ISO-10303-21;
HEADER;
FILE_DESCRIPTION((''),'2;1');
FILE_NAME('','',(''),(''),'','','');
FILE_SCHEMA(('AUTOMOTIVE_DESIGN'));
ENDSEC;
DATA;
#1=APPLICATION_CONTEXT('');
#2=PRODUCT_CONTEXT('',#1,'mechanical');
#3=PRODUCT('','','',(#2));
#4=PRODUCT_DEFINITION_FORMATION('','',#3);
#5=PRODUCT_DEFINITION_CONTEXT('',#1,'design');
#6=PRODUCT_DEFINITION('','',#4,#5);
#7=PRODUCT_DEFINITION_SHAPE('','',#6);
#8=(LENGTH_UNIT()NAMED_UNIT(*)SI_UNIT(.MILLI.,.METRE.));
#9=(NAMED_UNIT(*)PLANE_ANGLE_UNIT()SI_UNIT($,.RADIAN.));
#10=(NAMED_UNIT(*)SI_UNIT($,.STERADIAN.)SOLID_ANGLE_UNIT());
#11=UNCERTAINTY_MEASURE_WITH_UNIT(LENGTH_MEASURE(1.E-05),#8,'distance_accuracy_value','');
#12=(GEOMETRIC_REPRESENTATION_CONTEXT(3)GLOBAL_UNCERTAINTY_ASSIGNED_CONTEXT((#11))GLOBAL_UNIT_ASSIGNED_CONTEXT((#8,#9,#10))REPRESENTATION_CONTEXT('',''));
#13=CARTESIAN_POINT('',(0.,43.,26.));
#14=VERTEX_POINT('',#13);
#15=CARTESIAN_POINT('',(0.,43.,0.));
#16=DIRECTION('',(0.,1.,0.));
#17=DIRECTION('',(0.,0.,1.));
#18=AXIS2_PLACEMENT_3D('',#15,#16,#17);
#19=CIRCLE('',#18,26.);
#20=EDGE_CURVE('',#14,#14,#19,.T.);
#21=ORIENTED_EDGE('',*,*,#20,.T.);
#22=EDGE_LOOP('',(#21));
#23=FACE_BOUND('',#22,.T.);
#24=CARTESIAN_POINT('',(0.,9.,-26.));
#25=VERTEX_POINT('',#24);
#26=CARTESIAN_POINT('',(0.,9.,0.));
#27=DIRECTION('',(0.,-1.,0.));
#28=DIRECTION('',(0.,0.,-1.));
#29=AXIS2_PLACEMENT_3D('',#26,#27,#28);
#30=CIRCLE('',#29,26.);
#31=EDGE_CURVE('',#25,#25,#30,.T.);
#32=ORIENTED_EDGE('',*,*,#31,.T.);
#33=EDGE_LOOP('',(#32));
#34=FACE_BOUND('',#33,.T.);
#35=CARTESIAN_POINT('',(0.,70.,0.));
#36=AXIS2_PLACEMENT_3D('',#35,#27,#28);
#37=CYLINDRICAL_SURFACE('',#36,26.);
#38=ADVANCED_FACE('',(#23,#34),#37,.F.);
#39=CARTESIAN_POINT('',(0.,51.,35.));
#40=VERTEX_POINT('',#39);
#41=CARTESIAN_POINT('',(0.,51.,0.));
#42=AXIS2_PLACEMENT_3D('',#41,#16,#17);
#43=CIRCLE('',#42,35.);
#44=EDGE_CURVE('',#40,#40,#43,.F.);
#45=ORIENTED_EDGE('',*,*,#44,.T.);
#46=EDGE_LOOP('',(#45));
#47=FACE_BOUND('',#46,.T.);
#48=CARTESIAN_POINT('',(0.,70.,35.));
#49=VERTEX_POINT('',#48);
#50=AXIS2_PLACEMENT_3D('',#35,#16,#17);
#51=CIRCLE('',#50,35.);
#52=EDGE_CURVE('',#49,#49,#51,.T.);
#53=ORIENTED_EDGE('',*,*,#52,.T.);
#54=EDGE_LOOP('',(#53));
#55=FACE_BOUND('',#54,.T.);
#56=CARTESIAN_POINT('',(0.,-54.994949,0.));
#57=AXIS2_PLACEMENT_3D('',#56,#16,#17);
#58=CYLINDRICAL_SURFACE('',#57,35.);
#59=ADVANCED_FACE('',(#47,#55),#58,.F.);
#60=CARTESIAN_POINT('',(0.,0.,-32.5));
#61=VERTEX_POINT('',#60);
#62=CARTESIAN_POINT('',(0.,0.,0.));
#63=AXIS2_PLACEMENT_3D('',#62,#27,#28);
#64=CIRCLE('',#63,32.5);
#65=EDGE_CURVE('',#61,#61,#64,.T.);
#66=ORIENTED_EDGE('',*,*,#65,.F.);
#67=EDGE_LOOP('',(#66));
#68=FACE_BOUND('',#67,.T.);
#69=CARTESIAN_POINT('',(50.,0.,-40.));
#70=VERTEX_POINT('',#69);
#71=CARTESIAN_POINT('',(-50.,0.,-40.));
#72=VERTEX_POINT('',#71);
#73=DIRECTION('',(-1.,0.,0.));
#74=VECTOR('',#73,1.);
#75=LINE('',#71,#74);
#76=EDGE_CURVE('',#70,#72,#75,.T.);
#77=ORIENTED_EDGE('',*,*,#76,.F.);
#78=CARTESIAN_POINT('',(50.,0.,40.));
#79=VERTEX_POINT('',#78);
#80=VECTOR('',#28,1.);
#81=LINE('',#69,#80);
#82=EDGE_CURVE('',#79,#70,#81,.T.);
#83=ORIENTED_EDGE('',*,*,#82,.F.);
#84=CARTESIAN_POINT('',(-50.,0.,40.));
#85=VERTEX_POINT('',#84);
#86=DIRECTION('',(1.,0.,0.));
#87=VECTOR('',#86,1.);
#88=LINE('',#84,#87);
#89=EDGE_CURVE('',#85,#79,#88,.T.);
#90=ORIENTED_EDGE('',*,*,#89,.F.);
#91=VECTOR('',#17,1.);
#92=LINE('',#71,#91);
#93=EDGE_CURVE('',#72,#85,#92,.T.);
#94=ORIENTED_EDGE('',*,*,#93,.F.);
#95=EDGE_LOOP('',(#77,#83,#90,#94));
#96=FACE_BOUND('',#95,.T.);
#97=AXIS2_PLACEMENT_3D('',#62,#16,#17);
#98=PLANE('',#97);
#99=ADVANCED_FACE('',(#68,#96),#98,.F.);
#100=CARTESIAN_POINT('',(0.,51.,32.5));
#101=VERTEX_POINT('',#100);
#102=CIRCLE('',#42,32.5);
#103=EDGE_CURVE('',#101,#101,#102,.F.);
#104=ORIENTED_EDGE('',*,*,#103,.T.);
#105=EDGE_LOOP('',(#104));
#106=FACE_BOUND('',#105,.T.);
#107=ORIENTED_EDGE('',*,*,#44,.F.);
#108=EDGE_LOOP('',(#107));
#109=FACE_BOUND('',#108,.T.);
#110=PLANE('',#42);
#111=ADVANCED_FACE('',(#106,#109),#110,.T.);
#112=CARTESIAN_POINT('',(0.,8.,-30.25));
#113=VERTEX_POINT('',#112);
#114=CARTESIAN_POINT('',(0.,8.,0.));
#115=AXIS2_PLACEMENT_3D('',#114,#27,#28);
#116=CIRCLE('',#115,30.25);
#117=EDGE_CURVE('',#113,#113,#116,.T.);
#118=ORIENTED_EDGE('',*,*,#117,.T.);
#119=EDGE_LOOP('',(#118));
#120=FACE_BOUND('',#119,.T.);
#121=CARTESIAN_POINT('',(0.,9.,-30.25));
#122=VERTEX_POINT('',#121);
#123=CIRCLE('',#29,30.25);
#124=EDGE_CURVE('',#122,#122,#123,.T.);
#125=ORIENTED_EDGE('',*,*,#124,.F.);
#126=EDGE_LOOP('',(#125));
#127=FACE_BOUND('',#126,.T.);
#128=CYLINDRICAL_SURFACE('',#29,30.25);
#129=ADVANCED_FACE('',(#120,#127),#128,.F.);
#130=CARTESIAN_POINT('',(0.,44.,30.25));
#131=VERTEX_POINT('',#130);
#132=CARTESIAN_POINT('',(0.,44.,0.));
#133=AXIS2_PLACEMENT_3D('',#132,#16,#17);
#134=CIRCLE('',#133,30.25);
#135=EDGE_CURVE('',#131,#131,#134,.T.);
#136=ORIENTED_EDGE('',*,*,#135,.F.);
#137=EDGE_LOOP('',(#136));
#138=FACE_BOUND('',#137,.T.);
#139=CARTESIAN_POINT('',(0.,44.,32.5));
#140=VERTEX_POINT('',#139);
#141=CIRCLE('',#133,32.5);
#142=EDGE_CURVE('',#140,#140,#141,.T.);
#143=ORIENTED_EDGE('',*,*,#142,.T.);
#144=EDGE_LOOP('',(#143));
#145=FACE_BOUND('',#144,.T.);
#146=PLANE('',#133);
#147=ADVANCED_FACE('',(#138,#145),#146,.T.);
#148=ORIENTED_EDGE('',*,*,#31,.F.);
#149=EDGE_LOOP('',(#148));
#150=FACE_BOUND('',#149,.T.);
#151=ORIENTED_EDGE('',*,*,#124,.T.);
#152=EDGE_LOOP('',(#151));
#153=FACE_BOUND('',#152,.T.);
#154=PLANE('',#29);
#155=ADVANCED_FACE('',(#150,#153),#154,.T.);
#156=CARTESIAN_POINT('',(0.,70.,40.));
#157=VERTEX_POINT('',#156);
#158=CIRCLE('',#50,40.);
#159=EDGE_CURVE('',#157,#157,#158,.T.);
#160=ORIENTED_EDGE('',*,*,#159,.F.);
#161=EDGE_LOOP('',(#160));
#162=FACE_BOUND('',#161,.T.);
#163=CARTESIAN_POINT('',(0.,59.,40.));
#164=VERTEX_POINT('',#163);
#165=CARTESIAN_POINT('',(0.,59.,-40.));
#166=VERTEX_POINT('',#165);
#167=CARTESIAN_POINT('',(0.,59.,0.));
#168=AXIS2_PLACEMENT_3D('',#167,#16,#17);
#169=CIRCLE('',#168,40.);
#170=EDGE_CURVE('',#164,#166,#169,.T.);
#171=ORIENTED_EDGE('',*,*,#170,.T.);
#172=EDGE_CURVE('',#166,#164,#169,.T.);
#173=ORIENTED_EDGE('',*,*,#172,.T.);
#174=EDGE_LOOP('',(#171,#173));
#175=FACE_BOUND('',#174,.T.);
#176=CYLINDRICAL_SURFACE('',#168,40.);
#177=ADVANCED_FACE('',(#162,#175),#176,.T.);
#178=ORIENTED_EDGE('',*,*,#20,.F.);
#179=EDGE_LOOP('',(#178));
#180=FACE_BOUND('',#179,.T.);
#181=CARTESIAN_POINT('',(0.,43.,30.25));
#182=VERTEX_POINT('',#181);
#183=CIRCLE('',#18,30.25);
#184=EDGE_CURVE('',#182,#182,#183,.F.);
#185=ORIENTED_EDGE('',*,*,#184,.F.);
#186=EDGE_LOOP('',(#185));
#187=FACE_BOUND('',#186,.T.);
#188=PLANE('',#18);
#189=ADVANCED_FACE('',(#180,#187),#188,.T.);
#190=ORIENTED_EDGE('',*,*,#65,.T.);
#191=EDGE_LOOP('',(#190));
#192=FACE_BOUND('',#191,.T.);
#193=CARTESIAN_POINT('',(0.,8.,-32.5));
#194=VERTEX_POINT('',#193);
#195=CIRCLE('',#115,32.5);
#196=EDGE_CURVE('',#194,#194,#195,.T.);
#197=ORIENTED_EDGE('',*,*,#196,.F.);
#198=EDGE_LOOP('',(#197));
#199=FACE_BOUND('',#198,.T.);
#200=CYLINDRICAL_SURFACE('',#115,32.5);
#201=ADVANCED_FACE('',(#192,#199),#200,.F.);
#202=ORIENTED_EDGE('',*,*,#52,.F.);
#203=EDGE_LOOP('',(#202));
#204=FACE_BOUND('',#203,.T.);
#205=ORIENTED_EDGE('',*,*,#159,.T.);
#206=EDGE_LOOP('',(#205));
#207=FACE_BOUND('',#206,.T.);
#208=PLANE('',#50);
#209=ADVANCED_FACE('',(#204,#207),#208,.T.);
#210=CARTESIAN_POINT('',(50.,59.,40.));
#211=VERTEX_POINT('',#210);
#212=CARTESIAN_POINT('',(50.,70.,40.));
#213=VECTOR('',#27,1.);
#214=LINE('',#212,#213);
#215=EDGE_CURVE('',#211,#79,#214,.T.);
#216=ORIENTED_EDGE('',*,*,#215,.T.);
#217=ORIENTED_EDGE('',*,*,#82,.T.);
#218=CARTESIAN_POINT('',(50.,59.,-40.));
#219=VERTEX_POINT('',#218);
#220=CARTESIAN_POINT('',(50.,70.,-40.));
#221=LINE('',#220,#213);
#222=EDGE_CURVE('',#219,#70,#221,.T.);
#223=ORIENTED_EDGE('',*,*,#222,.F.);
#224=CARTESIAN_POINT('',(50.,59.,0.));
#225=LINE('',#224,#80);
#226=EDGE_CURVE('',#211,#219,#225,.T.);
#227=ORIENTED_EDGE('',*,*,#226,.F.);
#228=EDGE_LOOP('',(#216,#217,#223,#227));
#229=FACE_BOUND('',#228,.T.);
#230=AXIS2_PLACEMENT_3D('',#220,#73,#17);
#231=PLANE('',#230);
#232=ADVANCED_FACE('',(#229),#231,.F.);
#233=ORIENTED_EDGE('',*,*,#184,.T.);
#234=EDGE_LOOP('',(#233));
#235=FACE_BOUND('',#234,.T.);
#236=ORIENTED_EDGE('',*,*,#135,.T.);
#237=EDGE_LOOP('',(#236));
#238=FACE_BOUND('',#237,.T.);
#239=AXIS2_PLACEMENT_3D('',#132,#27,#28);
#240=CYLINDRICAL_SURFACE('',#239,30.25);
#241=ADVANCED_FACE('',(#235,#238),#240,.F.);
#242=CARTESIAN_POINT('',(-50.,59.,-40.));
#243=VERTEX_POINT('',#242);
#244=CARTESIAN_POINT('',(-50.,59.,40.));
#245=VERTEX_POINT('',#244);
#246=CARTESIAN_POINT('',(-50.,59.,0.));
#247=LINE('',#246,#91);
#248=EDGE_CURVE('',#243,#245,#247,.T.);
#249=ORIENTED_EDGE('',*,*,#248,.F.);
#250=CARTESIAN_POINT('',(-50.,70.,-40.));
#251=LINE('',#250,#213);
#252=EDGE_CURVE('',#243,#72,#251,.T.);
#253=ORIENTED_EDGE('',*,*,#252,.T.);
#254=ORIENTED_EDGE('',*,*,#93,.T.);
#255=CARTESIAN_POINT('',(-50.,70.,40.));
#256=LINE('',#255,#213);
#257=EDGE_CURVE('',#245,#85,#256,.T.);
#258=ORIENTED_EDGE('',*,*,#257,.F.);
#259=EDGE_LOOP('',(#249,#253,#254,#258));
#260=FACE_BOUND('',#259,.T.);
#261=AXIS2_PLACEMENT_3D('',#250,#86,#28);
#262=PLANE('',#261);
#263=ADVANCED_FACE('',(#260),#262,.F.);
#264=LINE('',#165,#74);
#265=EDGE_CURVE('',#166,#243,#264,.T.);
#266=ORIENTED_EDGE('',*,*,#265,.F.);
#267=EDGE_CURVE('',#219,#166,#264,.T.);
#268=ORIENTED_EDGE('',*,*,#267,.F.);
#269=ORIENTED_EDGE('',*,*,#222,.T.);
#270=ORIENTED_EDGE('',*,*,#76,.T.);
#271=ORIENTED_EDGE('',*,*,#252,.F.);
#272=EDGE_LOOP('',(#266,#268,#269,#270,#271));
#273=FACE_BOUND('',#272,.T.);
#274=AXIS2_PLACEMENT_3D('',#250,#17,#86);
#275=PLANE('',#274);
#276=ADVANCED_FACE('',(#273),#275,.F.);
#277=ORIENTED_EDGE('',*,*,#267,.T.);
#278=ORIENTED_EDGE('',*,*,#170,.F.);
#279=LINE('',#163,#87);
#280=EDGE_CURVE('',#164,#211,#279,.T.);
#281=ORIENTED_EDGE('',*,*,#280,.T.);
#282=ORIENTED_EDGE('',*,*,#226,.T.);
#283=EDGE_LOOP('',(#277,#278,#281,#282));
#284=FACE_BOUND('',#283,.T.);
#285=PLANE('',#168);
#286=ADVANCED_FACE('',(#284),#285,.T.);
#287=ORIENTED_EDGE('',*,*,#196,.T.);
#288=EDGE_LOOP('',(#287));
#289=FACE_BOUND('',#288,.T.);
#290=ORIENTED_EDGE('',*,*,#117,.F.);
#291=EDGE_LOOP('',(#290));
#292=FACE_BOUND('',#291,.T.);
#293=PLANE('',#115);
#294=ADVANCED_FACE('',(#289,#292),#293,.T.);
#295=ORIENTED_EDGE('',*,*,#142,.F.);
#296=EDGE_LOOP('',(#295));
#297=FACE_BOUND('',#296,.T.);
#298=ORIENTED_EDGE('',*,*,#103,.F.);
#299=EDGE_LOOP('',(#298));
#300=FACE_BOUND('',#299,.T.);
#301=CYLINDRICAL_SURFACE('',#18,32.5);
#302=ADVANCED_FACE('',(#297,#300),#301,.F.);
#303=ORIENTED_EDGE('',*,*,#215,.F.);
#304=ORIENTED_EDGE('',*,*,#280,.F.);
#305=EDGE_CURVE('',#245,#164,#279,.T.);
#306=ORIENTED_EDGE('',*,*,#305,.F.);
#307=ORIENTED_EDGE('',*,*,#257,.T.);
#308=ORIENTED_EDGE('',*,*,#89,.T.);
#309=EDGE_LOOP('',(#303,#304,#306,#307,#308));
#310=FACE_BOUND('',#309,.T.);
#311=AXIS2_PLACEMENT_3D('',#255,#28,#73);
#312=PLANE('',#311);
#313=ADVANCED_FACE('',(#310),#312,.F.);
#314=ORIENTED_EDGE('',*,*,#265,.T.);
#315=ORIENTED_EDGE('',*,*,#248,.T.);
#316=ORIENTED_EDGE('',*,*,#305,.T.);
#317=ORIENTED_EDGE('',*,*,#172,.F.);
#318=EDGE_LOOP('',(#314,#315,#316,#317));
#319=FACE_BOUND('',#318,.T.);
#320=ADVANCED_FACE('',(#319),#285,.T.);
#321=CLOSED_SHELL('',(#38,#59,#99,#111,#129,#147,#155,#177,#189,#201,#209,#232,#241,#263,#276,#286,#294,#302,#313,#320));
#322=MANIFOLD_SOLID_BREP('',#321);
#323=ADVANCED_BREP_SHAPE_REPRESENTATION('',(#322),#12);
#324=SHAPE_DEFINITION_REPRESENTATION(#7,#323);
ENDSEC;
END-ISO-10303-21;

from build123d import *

# Parameters (mm, degrees)
SKETCH1_W           = 100
SKETCH1_H           = 80
SKETCH1_R           = 26
BOSS_EXTRUDE1_DEPTH = 70
SKETCH2_R           = 32.5
CUT_EXTRUDE1_DEPTH  = 27
BOSS_EXTRUDE2_START = 1
SKETCH4_R           = 32.5
SKETCH4_R_2         = 30.25
BOSS_EXTRUDE2_DEPTH = 1
SKETCH5_R           = 35
CUT_EXTRUDE2_DEPTH  = 19
CUT_EXTRUDE3_START  = -8
SKETCH6_R           = 32.5
CUT_EXTRUDE3_DEPTH  = 8
CUT_EXTRUDE4_START  = -1
SKETCH7_R           = 30.25
CUT_EXTRUDE4_DEPTH  = 1
CUT_EXTRUDE5_DEPTH  = 11


with BuildPart() as part:
    # Sketch1 → Boss-Extrude1 (new body)
    with BuildSketch(Plane(origin=(0, 0, 0), x_dir=(1, 0, 0), z_dir=(0, 1, 0))):
        Rectangle(SKETCH1_W, SKETCH1_H)
        with Locations(Location((0, 0, 0), (0, 0, 270))):
            Circle(SKETCH1_R, mode=Mode.SUBTRACT)
    extrude(amount=BOSS_EXTRUDE1_DEPTH)

    # Sketch2 → Cut-Extrude1 (cut)
    with BuildSketch(Plane(origin=(0, 70, 0), x_dir=(1, 0, 0), z_dir=(0, 1, 0))):
        with Locations(Location((0, 0, 0), (0, 0, 270))):
            Circle(SKETCH2_R)
    extrude(amount=-CUT_EXTRUDE1_DEPTH, mode=Mode.SUBTRACT)

    # Sketch4 → Boss-Extrude2 (add)
    with BuildSketch(Plane(origin=(0, 43, 0), x_dir=(1, 0, 0), z_dir=(0, 1, 0)).offset(BOSS_EXTRUDE2_START)):
        with Locations(Location((0, 0, 0), (0, 0, 270))):
            Circle(SKETCH4_R)
        with Locations(Location((0, 0, 0), (0, 0, 270))):
            Circle(SKETCH4_R_2, mode=Mode.SUBTRACT)
    extrude(amount=-BOSS_EXTRUDE2_DEPTH)

    # Sketch5 → Cut-Extrude2 (cut)
    with BuildSketch(Plane(origin=(0, 70, 0), x_dir=(1, 0, 0), z_dir=(0, 1, 0))):
        with Locations(Location((0, 0, 0), (0, 0, 270))):
            Circle(SKETCH5_R)
    extrude(amount=-CUT_EXTRUDE2_DEPTH, mode=Mode.SUBTRACT)

    # Sketch6 → Cut-Extrude3 (cut)
    with BuildSketch(Plane.XZ.offset(CUT_EXTRUDE3_START)):
        with Locations(Location((0, 0, 0), (0, 0, 90))):
            Circle(SKETCH6_R)
    extrude(amount=CUT_EXTRUDE3_DEPTH, mode=Mode.SUBTRACT)

    # Sketch7 → Cut-Extrude4 (cut)
    with BuildSketch(Plane.XZ.offset(-8).offset(CUT_EXTRUDE4_START)):
        with Locations(Location((0, 0, 0), (0, 0, 90))):
            Circle(SKETCH7_R)
    extrude(amount=CUT_EXTRUDE4_DEPTH, mode=Mode.SUBTRACT)

    # Sketch8 → Cut-Extrude5 (cut)
    with BuildSketch(Plane(origin=(0, 70, 0), x_dir=(1, 0, 0), z_dir=(0, 1, 0))):
        with BuildLine():
            Line((50, 40), (0, 40))
            ThreePointArc((0, 40), (28.284271247, 28.284271247), (40, 0))
            ThreePointArc((40, 0), (28.284271247, -28.284271247), (0, -40))
            Line((0, -40), (50, -40))
            Line((50, -40), (50, 40))
        make_face()
        with BuildLine():
            Line((0, 40), (-50, 40))
            Line((-50, 40), (-50, -40))
            Line((-50, -40), (0, -40))
            ThreePointArc((0, -40), (-40, 0), (0, 40))
        make_face()
    extrude(amount=-CUT_EXTRUDE5_DEPTH, mode=Mode.SUBTRACT)


solid = part.part
